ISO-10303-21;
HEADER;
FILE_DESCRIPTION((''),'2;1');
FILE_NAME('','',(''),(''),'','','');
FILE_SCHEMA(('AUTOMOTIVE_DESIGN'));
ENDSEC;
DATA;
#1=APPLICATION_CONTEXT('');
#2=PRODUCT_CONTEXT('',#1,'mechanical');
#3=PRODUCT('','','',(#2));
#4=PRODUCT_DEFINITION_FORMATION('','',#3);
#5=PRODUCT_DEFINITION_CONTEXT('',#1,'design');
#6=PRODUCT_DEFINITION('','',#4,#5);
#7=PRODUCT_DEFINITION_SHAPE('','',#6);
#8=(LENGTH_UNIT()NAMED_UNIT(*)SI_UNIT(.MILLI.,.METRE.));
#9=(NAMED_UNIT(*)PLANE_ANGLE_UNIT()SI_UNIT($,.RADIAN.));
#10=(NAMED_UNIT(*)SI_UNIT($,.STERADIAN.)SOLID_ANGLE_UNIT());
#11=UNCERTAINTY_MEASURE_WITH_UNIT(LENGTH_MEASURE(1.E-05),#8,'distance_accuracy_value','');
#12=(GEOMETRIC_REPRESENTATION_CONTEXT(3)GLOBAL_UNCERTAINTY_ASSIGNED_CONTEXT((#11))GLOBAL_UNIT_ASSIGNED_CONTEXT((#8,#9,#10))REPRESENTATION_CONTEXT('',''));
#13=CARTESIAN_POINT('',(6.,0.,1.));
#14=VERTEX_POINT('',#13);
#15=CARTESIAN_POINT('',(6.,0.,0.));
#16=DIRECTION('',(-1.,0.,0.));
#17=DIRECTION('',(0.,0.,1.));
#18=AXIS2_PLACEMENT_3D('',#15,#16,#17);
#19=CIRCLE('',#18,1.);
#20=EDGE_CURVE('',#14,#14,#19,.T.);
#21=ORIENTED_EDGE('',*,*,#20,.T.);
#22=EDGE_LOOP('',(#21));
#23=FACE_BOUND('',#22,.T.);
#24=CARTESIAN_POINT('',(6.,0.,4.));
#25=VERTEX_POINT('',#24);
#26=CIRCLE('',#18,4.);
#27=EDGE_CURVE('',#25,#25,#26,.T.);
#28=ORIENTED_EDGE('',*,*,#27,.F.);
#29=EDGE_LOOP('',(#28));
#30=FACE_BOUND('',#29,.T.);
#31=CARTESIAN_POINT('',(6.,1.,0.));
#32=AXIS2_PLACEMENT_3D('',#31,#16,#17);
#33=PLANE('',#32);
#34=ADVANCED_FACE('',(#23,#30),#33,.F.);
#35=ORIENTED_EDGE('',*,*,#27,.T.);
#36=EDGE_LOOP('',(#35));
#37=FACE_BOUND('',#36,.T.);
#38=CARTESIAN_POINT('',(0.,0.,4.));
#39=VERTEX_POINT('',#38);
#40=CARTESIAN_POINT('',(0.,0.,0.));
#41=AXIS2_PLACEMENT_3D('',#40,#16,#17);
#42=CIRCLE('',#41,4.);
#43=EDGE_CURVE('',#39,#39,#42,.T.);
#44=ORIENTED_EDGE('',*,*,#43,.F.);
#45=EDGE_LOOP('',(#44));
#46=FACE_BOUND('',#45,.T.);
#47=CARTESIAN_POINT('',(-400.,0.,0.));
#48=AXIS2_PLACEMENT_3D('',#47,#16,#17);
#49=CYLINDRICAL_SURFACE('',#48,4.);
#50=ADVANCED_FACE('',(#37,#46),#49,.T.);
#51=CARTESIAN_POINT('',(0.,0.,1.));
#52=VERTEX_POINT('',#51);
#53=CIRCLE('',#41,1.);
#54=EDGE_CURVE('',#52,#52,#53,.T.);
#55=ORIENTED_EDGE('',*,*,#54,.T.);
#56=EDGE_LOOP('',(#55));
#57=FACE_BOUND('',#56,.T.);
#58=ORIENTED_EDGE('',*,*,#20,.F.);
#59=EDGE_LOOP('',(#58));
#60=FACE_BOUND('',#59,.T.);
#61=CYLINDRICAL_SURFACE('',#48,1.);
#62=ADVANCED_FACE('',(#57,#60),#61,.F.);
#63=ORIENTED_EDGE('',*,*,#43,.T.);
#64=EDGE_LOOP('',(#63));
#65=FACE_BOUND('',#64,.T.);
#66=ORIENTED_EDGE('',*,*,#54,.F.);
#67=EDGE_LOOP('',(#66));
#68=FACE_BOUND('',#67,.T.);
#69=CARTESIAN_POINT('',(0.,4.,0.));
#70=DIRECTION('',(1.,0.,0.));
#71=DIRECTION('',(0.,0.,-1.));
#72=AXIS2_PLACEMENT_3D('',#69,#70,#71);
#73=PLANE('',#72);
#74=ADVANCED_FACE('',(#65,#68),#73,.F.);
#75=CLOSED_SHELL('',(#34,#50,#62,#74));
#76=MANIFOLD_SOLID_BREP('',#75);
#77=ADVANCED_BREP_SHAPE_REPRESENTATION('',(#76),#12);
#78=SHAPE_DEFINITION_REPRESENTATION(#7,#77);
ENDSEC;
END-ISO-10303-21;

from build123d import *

# Parameters (mm, degrees)
GROMMET_IMU_SKETCH_W = 6
GROMMET_IMU_SKETCH_H = 3


with BuildPart() as part:
    # Grommet_IMU Sketch → Grommet_IMU (revolve)
    with BuildSketch(Plane.XY):
        with Locations((3, 2.5)):
            Rectangle(GROMMET_IMU_SKETCH_W, GROMMET_IMU_SKETCH_H)
    revolve(axis=Axis((-400, 0, 0), (1, 0, 0)))


solid = part.part
